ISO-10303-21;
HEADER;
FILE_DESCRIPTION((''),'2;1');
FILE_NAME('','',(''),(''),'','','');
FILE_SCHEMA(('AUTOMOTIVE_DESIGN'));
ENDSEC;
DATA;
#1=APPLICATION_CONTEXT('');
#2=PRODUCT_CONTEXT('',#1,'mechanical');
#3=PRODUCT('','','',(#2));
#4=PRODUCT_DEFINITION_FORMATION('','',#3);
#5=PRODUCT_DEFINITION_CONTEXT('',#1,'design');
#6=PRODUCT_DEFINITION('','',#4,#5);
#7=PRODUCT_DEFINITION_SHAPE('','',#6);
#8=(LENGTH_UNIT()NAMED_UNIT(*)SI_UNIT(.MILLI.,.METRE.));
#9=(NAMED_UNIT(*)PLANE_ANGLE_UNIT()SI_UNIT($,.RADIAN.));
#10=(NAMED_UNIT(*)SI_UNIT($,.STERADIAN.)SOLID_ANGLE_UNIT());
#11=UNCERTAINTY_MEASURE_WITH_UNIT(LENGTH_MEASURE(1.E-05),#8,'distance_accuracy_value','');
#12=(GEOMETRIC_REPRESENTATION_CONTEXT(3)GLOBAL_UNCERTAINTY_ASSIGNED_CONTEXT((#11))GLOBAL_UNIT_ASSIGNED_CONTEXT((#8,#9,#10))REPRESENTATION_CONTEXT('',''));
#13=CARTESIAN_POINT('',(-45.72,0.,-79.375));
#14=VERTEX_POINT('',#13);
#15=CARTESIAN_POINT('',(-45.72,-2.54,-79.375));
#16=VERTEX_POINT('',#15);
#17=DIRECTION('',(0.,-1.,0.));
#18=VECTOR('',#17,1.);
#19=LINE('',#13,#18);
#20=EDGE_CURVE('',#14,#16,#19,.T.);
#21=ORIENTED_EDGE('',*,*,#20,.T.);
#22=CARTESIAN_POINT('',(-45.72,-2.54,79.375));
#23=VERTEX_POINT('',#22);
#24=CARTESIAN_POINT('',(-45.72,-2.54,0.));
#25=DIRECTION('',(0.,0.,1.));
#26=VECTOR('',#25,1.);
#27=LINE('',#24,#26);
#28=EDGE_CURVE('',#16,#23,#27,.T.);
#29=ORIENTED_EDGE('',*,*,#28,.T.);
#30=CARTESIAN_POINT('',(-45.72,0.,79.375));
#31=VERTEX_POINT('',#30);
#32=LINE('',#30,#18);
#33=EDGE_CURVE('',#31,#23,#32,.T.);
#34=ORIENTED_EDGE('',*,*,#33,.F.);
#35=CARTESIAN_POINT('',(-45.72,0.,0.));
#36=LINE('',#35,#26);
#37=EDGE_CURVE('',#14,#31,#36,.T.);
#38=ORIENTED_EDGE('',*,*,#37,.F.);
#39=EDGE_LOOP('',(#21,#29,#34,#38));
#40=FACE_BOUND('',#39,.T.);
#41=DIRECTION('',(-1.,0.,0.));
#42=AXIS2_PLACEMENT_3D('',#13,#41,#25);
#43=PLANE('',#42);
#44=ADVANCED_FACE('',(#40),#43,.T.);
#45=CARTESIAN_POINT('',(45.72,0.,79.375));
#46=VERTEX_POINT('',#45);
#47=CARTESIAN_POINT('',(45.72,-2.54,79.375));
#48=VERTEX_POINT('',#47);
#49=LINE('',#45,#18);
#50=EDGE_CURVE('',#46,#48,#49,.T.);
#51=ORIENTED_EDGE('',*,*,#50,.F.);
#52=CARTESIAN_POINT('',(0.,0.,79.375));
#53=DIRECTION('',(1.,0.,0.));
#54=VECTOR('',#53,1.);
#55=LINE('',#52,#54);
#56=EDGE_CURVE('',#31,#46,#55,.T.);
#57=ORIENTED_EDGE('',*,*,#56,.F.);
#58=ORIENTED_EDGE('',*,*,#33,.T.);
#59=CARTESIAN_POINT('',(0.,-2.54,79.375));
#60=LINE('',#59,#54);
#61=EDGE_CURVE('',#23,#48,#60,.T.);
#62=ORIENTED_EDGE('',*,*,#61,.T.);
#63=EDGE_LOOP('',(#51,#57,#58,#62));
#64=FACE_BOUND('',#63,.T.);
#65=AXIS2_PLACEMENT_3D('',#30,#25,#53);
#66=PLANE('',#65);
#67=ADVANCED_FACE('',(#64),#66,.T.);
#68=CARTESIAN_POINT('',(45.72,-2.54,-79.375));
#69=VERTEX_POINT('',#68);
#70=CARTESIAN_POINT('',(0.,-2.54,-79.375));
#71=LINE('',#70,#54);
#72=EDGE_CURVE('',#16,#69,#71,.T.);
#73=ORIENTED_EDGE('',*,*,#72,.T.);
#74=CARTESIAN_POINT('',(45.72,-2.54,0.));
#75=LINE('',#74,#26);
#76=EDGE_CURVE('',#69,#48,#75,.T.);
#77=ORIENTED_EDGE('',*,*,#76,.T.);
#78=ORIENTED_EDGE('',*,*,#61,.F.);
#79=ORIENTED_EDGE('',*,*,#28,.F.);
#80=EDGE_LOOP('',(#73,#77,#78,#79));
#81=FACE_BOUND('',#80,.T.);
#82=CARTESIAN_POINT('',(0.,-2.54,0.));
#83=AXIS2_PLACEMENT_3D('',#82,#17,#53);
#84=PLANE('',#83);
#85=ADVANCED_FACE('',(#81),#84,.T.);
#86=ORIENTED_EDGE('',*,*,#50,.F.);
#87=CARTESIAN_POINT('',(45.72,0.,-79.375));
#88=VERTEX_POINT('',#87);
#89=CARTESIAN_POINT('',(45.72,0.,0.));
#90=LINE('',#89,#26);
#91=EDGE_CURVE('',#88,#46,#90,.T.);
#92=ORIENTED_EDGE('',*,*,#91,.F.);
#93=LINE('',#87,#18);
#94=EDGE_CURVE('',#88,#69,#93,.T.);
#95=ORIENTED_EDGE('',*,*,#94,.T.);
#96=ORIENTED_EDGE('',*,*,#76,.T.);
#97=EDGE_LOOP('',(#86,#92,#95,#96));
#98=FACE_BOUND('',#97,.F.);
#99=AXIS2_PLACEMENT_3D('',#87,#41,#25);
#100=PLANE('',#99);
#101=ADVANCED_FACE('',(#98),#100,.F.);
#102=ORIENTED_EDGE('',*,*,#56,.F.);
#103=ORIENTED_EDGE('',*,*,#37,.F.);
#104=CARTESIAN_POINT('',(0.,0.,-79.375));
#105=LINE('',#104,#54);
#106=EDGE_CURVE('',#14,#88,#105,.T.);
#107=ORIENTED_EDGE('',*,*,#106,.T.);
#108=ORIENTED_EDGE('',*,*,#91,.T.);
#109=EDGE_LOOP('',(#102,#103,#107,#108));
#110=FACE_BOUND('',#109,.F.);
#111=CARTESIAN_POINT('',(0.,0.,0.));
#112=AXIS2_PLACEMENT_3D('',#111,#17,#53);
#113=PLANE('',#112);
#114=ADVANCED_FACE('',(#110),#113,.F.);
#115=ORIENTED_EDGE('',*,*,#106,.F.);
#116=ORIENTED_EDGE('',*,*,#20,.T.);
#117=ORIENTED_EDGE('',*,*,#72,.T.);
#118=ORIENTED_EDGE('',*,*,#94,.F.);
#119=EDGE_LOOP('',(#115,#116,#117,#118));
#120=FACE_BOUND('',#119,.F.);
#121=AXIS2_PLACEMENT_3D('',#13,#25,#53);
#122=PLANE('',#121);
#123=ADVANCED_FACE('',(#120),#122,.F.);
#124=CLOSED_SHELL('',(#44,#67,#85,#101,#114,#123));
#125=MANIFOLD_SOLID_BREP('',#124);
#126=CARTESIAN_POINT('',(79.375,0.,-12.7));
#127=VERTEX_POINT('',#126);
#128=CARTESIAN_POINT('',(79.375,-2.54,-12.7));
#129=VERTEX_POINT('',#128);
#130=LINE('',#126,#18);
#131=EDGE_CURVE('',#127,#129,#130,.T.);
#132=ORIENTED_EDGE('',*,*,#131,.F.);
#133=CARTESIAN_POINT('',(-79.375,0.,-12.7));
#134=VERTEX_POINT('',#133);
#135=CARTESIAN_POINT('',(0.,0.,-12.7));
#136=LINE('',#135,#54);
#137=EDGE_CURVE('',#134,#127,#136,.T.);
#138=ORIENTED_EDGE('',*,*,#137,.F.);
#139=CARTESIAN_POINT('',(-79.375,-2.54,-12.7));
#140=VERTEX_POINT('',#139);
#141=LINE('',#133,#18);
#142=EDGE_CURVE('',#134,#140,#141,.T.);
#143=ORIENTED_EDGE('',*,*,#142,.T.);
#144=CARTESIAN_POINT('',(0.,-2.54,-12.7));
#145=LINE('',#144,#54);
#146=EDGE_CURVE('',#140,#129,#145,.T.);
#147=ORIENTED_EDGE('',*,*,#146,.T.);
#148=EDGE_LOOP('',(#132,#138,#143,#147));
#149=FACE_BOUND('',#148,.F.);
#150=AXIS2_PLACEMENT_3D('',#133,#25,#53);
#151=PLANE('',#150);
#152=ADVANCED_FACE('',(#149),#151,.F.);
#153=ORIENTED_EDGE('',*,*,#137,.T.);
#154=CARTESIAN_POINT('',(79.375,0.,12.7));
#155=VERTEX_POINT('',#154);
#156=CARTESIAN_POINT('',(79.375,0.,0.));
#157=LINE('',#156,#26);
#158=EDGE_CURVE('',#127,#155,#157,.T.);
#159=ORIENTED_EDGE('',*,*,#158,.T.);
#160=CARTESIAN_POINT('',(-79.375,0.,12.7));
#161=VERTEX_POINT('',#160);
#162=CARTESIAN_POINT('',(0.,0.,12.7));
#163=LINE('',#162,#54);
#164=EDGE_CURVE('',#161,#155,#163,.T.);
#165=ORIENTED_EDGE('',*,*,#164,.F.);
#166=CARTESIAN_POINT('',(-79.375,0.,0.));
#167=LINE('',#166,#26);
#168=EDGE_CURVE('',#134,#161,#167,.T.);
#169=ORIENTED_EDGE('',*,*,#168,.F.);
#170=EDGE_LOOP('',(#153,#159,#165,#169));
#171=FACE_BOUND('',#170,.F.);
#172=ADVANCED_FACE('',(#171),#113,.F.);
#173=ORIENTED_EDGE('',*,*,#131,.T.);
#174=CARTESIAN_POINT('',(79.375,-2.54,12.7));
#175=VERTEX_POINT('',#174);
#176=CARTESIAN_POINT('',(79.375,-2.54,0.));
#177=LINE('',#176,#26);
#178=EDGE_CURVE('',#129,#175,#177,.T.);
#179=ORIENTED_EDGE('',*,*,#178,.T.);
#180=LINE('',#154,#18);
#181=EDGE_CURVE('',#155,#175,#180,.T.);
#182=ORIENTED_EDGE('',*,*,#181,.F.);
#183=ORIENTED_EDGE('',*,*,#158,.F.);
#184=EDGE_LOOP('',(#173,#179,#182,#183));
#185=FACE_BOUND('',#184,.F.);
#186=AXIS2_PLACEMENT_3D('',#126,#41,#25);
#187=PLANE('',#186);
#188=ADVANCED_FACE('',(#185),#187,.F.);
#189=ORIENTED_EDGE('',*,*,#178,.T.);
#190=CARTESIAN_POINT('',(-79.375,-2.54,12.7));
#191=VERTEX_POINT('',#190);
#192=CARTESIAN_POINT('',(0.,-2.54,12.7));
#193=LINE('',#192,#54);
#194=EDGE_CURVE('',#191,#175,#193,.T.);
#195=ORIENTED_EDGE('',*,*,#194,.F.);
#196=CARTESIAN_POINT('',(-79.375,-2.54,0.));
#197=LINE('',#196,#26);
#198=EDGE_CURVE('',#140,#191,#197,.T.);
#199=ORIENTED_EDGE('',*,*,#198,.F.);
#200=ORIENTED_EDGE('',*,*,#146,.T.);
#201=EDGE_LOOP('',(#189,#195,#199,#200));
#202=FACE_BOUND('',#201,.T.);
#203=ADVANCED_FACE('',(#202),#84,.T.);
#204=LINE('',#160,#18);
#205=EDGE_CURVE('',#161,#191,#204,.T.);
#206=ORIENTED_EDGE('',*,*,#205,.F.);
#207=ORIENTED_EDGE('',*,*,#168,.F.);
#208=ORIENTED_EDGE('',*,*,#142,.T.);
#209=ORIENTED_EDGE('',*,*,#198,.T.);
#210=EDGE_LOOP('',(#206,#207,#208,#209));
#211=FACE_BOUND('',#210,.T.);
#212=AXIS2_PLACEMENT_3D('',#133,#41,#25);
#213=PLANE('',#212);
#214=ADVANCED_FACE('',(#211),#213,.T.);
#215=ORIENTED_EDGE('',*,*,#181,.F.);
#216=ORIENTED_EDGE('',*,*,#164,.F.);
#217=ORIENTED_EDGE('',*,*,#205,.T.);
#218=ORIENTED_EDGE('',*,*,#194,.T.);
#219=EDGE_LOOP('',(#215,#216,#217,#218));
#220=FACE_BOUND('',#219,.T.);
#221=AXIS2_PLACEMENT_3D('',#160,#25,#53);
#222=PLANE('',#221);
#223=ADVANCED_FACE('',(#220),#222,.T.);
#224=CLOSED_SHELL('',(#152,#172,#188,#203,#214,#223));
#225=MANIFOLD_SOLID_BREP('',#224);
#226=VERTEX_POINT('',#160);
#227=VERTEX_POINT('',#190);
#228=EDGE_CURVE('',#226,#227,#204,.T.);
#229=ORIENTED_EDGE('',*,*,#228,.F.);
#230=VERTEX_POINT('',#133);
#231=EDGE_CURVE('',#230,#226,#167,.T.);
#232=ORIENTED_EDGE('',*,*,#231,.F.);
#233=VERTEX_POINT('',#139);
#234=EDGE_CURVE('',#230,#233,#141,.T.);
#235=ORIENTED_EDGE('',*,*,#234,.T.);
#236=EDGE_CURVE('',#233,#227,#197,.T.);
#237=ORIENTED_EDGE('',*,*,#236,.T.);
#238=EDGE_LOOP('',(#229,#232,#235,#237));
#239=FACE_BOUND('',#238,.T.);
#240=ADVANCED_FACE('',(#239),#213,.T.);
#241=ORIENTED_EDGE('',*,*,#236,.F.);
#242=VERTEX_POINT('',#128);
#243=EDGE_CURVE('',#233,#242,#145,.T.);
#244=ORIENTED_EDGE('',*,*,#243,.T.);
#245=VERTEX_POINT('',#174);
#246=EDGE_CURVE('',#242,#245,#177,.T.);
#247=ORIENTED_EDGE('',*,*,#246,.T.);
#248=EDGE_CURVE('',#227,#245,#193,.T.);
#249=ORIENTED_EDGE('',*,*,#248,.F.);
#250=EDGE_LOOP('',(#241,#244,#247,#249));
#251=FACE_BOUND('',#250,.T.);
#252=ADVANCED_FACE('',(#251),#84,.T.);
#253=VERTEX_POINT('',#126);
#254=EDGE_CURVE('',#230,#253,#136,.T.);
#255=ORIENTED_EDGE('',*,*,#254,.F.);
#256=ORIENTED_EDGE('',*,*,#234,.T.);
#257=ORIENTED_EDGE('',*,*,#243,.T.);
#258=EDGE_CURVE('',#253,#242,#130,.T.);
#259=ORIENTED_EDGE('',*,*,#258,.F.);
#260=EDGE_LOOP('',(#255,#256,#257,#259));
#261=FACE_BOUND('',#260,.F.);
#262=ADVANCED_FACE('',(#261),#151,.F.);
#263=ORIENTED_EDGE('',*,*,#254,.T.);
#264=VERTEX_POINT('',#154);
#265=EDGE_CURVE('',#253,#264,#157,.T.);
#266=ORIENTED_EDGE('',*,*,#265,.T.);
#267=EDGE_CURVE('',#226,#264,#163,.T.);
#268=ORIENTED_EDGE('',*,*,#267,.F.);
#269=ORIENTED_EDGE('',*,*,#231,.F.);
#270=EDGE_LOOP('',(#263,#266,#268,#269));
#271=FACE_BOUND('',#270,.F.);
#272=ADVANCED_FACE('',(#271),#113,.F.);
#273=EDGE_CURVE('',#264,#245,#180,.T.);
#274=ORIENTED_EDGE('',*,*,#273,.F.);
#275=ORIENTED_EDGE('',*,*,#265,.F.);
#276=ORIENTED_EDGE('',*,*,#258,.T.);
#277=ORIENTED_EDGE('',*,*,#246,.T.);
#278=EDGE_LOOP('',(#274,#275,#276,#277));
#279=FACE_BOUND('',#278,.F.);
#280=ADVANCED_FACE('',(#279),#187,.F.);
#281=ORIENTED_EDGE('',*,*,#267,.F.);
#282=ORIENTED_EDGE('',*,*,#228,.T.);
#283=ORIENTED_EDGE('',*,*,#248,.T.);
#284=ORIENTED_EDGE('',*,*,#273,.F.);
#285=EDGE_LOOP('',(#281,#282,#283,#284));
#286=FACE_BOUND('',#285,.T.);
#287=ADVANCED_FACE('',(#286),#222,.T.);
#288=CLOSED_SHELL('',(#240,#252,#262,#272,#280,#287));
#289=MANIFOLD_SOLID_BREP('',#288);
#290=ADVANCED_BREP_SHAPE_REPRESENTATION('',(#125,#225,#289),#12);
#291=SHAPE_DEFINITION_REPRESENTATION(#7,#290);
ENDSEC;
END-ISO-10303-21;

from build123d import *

# Parameters (mm, degrees)
F0_W     = 158.75
F0_H     = 25.4
F1_DEPTH = 2.54
F2_W     = 158.75
F2_H     = 25.4
F3_DEPTH = 2.54
F4_W     = 91.44
F4_H     = 158.75
F5_DEPTH = 2.54


with BuildPart() as f1:
    # F0 (on Front) → F1 (new body)
    with BuildSketch(Plane.XZ):
        Rectangle(F0_W, F0_H)
    extrude(amount=F1_DEPTH)


with BuildPart() as f3:
    # F2 (on Front) → F3 (new body)
    with BuildSketch(Plane.XZ):
        Rectangle(F2_W, F2_H)
    extrude(amount=F3_DEPTH)


with BuildPart() as f5:
    # F4 (on Front) → F5 (new body)
    with BuildSketch(Plane.XZ):
        Rectangle(F4_W, F4_H)
    extrude(amount=F5_DEPTH)


solid = Compound([f1.part, f3.part, f5.part])
